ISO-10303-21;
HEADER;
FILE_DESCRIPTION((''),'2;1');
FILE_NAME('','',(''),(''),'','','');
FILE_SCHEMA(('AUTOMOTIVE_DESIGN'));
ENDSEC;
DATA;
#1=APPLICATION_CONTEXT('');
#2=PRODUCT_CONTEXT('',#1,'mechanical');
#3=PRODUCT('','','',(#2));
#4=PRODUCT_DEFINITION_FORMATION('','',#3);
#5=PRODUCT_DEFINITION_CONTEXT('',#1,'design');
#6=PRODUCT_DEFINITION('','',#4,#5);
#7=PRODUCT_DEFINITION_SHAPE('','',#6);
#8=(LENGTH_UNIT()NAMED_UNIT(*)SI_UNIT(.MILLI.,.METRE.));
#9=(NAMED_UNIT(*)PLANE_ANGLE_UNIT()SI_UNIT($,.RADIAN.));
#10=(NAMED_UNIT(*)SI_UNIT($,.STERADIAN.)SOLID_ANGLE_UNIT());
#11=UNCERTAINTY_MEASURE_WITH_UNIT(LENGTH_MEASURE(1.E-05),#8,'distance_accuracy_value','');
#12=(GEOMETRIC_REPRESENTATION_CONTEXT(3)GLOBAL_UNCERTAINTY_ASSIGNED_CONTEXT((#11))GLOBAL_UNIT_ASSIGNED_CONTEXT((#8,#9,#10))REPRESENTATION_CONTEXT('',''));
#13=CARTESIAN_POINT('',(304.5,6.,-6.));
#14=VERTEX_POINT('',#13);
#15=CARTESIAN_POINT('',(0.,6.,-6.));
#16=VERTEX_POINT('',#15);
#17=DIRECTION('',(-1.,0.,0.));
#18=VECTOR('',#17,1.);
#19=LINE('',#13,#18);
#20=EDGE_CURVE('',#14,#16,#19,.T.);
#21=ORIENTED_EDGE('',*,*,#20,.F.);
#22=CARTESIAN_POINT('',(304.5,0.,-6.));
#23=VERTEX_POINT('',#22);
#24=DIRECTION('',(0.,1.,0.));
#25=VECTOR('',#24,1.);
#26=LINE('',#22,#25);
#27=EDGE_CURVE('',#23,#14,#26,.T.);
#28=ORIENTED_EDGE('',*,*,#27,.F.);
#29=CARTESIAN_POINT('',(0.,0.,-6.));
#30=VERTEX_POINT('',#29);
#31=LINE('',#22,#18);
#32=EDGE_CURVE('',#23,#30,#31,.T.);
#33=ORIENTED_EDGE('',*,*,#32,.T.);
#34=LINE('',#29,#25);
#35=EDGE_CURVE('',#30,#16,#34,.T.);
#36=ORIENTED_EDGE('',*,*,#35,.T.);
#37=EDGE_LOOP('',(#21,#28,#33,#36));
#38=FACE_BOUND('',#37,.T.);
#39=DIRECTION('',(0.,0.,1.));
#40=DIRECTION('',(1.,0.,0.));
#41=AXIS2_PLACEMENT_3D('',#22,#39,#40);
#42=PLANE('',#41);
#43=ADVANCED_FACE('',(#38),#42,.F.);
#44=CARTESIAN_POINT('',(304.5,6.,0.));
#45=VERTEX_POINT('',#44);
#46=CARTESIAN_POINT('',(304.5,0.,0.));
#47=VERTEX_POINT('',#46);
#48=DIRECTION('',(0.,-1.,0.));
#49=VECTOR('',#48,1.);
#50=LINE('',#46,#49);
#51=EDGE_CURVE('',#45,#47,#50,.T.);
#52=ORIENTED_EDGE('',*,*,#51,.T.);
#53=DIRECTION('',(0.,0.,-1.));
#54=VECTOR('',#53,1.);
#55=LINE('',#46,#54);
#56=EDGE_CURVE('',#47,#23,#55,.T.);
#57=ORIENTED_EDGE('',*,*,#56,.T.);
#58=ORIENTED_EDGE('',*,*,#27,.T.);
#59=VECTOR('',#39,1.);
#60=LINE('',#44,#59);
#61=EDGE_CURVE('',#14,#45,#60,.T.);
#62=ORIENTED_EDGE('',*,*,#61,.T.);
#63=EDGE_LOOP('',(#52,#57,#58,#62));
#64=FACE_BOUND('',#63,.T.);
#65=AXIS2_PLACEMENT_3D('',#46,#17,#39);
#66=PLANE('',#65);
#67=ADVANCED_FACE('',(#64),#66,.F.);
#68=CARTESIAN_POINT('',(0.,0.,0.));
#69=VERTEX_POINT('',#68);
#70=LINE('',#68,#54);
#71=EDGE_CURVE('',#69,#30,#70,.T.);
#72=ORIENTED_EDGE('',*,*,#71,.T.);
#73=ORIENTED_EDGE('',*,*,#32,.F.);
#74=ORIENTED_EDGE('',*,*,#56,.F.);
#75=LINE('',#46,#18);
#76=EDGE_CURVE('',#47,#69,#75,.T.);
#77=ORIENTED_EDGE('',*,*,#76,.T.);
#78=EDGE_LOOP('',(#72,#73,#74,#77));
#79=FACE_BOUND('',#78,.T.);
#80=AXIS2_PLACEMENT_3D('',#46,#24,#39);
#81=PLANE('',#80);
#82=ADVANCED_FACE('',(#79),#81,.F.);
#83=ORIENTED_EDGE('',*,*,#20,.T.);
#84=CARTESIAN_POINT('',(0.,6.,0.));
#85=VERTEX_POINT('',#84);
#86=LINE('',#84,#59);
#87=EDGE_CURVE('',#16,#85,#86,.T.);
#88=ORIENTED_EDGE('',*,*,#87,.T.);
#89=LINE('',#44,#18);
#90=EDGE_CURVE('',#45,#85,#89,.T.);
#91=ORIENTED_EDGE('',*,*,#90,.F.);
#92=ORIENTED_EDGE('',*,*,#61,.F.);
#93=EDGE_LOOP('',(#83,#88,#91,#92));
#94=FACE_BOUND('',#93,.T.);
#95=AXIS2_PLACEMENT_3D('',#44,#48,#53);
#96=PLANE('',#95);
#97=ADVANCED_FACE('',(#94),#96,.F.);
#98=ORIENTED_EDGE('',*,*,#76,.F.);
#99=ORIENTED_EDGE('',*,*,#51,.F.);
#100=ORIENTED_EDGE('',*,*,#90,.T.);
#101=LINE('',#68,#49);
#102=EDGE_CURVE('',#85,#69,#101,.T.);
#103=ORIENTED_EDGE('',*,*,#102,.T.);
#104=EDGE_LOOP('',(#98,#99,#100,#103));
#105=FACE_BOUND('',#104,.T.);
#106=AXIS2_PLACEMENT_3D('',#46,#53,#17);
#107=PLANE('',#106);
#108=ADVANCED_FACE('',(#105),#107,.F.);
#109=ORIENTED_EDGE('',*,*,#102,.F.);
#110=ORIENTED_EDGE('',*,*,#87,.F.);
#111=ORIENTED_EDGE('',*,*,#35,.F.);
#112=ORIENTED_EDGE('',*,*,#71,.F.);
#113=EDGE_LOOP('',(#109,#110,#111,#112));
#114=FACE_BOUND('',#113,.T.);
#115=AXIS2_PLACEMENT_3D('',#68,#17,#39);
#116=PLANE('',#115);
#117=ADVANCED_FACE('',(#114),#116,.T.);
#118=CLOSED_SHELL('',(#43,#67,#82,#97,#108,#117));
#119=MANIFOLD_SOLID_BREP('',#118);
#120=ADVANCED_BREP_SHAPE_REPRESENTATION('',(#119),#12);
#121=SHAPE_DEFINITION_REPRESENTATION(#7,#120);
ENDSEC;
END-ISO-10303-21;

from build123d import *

# Parameters (mm, degrees)
SKETCH_1_W      = 6
SKETCH_1_H      = 6
EXTRUDE_1_DEPTH = 304.5


with BuildPart() as part:
    # Эскиз1 → Бобышка-Вытянуть1 (new body)
    with BuildSketch(Plane(origin=(0, 0, 0), x_dir=(0, 0, -1), z_dir=(1, 0, 0))):
        with Locations((3, 3)):
            Rectangle(SKETCH_1_W, SKETCH_1_H)
    extrude(amount=EXTRUDE_1_DEPTH)


solid = part.part
